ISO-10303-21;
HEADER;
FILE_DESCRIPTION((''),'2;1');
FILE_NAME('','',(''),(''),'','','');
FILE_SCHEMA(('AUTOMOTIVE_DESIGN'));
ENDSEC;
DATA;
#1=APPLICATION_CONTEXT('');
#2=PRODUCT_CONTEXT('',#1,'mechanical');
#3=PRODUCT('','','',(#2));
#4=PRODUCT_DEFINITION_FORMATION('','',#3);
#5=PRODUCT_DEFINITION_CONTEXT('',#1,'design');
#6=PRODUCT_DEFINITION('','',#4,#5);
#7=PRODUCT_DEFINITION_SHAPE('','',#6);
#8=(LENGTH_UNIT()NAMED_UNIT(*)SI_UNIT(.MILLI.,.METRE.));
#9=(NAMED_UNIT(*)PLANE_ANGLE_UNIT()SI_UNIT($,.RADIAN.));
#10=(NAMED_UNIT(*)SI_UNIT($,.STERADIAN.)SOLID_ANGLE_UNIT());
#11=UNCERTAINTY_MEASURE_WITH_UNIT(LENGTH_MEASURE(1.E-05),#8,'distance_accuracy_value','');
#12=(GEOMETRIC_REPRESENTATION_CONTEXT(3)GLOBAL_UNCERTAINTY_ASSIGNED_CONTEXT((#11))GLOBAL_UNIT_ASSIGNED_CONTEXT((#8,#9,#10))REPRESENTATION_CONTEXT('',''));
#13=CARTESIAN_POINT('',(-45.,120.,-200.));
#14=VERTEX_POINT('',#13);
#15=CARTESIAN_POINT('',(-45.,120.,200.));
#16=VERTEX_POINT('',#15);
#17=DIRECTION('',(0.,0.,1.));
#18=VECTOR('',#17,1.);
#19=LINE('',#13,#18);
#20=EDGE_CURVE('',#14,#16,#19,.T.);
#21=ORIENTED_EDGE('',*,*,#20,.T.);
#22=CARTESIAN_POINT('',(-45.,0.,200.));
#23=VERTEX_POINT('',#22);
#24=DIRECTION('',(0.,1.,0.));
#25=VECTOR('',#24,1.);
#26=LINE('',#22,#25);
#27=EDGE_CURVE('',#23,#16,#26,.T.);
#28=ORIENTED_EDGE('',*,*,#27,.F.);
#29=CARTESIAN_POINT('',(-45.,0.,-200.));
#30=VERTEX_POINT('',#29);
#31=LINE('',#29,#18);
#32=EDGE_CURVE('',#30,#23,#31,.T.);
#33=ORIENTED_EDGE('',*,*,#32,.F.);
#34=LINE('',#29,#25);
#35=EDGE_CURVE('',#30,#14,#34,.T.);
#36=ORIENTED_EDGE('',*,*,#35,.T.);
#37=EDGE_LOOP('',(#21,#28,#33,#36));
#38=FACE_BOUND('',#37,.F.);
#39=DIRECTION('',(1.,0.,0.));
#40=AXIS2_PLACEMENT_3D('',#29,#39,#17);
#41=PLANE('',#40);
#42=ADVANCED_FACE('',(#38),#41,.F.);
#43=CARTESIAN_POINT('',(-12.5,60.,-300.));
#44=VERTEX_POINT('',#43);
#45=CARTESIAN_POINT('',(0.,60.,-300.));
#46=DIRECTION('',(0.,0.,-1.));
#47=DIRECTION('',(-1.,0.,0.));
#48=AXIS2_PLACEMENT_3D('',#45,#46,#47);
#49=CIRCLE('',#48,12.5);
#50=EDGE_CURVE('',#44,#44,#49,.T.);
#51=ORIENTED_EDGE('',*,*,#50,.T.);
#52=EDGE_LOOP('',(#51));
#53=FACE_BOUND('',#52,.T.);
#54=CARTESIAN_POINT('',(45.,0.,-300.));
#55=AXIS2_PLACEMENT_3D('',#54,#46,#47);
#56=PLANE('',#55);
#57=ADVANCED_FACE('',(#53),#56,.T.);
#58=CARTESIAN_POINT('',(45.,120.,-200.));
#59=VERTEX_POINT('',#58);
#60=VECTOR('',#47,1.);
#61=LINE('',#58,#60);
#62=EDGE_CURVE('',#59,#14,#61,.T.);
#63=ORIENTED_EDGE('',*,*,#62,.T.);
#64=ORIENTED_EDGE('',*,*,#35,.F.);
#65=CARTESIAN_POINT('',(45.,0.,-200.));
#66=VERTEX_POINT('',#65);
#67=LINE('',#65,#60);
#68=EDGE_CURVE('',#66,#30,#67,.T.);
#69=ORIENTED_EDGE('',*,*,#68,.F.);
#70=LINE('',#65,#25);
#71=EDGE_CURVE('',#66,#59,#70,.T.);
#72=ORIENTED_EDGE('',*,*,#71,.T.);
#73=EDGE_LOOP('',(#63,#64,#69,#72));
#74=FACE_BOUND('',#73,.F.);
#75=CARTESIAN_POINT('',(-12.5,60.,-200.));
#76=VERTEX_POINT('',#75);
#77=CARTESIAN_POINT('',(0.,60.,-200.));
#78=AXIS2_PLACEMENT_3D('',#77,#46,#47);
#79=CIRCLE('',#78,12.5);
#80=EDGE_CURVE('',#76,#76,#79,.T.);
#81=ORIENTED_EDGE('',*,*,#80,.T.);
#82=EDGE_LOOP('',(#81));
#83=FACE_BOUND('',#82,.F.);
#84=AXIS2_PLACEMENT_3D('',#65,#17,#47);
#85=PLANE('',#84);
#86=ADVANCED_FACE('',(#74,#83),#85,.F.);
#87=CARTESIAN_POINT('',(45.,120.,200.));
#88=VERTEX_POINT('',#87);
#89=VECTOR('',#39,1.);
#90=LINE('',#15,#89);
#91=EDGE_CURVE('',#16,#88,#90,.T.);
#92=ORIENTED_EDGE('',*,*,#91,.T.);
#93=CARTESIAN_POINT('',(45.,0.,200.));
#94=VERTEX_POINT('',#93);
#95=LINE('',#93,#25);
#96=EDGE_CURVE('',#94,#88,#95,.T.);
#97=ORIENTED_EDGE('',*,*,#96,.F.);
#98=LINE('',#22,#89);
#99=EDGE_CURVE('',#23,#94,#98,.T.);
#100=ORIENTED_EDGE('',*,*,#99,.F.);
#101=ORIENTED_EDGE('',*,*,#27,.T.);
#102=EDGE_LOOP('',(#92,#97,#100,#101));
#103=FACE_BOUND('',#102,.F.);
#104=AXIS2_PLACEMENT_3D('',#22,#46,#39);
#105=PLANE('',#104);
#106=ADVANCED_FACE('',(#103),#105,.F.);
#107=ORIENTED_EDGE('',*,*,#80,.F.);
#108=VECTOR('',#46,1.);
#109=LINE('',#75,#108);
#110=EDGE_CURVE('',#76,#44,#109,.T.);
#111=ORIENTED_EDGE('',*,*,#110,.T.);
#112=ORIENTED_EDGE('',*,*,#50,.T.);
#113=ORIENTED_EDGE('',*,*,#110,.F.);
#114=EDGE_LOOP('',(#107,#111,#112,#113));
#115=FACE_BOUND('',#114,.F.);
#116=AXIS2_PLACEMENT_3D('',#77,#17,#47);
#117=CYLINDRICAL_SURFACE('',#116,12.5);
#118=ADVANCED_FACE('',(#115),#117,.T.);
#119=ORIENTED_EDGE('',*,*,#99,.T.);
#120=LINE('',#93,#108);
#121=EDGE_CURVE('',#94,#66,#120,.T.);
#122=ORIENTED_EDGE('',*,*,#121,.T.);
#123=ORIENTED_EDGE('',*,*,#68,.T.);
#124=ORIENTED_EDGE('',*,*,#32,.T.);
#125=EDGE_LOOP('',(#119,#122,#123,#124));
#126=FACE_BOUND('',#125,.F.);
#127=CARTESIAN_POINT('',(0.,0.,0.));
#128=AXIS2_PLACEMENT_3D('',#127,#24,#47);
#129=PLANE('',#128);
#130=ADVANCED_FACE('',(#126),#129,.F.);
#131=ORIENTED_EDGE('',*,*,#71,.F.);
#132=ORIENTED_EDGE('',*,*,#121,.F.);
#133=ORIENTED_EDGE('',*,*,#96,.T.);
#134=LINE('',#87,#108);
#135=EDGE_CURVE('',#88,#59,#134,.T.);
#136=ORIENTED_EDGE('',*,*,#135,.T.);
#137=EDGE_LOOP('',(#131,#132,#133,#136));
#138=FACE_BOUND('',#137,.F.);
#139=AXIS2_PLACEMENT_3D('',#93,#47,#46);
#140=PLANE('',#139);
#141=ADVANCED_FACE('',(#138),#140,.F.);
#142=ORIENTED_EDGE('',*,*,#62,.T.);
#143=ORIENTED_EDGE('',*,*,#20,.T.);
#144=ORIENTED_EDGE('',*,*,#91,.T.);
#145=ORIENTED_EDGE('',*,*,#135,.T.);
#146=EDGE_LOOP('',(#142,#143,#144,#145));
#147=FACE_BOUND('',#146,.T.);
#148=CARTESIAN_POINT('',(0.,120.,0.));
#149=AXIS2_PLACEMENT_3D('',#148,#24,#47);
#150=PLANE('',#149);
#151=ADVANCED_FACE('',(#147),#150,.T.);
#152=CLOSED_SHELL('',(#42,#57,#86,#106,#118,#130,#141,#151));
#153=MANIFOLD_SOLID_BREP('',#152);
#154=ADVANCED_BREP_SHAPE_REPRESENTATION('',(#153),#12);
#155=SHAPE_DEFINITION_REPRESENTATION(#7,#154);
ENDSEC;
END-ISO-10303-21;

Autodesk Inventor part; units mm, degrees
ref_plane "YZ Plane" through (0, 0, 0) normal (1, 0, 0) x (0, 1, 0)
ref_plane "XZ Plane" through (0, 0, 0) normal (0, 1, 0) x (-1, 0, 0)
ref_plane "XY Plane" through (0, 0, 0) normal (0, 0, 1) x (1, 0, 0)
sketch "Szkic1" plane through (0, 0, 0) normal (0, 1, 0) x (-1, 0, 0)
  line L0 (45, 200) -> (-45, 200)
  line L1 (-45, 200) -> (-45, -200)
  line L2 (-45, -200) -> (45, -200)
  line L3 (45, -200) -> (45, 200)
  line L4 (45, 200) -> (-45, -200) construction
  line L5 (-45, 200) -> (45, -200) construction
  point P0 (0, 0)
  dimension "d0" = 90
  dimension "d1" = 400
extrude "Wyciągnięcie proste1" add sketch "Szkic1" along normal blind 120
sketch "Szkic2" plane through (45, 0, -200) normal (0, 0, -1) x (-1, 0, 0)
  line L0 (90, 0) -> (90, 120) projected
  line L1 (0, 0) -> (90, 0) projected
  line L2 (0, 0) -> (0, 120) projected
  line L3 (0, 120) -> (90, 120) projected
  circle A0 centre (45, 60) radius 12.5
  point P0 (45, 0)
  dimension "d4" = 25
  dimension "d5" = 60
  dimension "d6" = 45
extrude "Wyciągnięcie proste2" add sketch "Szkic2" along normal blind 100 contours A0
equation "\"PromieńGięcia\" = Grubość"
equation "\"SzerokośćGięciaPodcięcia\" = Grubość"
equation "\"GłębokośćGięciaPodcięcia\" = 0.5 * Grubość"
equation "\"RozmiarPodcięciaNarożnika\" = 4 * Grubość"
equation "\"MinimalnaPozostałość\" = 2 * Grubość"
equation "\"PromieńPrzejścia\" = PromieńGięcia"
equation "\"Rozmiar_promienia_Jacobiego\" = PromieńGięcia"
equation "\"Wielk_odstępu\" = Grubość"
equation "\"Grubość\" = 0.5"
properties part number "czesc3"
